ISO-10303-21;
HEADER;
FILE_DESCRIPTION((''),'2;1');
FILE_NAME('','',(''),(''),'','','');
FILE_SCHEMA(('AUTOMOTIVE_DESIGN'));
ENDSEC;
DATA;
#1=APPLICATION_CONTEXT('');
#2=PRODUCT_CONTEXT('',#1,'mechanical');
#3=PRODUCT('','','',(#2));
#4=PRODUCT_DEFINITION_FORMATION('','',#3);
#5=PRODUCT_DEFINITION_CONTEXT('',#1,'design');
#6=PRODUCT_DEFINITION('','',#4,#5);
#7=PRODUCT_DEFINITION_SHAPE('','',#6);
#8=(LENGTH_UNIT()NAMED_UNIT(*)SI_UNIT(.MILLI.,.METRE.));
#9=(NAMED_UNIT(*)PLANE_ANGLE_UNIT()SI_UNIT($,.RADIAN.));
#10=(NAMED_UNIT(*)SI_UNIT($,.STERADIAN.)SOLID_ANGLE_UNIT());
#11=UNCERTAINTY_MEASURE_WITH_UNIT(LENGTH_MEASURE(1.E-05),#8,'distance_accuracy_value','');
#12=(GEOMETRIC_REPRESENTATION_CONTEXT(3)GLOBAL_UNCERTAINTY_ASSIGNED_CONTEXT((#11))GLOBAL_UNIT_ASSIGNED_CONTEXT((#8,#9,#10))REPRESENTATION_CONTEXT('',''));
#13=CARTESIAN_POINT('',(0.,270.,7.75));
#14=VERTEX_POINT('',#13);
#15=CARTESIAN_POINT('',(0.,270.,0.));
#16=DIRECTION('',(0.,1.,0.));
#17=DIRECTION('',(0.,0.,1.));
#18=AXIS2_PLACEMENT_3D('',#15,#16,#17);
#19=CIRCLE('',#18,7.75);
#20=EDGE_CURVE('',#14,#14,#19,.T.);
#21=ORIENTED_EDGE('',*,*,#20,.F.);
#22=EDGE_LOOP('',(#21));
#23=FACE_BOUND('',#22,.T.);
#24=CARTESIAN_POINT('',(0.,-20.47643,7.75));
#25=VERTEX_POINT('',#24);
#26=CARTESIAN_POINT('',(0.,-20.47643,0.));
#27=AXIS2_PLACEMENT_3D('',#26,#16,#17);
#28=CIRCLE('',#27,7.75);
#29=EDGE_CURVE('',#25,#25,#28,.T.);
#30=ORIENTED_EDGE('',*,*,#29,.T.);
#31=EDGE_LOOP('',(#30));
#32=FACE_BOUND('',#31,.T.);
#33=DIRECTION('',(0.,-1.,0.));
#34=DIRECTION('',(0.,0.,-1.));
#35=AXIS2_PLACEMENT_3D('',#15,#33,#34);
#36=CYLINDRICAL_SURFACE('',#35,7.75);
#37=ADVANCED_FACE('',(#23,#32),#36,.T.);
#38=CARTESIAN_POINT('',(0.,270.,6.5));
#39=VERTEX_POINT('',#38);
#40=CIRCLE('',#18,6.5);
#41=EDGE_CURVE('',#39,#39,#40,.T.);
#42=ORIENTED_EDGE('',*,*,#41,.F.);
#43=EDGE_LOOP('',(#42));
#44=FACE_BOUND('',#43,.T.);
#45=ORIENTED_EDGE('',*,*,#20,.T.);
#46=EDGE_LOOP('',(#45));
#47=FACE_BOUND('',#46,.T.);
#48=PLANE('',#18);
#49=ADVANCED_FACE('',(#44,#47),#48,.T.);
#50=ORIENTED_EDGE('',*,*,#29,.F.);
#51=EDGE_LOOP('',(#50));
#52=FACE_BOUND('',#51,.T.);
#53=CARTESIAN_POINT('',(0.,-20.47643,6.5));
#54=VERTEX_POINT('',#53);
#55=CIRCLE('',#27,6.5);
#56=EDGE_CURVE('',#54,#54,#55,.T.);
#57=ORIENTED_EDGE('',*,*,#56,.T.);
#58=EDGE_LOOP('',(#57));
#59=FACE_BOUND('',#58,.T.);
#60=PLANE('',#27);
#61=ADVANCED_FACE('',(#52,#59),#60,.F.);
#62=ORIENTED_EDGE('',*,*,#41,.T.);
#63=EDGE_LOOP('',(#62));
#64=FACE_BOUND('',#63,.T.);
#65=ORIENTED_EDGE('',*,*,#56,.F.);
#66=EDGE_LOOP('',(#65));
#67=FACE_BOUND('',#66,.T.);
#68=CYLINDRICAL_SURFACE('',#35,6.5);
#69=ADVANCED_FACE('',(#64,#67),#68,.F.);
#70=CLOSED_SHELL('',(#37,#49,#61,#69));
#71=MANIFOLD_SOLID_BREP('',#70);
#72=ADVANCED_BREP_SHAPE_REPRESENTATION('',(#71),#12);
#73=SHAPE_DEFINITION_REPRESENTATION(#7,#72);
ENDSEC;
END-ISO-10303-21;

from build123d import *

# Parameters (mm, degrees)
SKETCH1_R           = 7.75
SKETCH1_R_2         = 6.5
BOSS_EXTRUDE1_DEPTH = 270
BOSS_EXTRUDE3_START = -20.476429663
SKETCH1_2_R         = 7.75
SKETCH1_2_R_2       = 6.5
BOSS_EXTRUDE3_DEPTH = 20.476429663


with BuildPart() as part:
    # Sketch1 → Boss-Extrude1 (new body)
    with BuildSketch(Plane(origin=(0, 0, 0), x_dir=(1, 0, 0), z_dir=(0, 1, 0))):
        Circle(SKETCH1_R)
        Circle(SKETCH1_R_2, mode=Mode.SUBTRACT)
    extrude(amount=BOSS_EXTRUDE1_DEPTH)

    # Sketch1<2> → Boss-Extrude3 (add)
    with BuildSketch(Plane(origin=(0, 0, 0), x_dir=(1, 0, 0), z_dir=(0, 1, 0)).offset(BOSS_EXTRUDE3_START)):
        Circle(SKETCH1_2_R)
        Circle(SKETCH1_2_R_2, mode=Mode.SUBTRACT)
    extrude(amount=BOSS_EXTRUDE3_DEPTH)


solid = part.part
